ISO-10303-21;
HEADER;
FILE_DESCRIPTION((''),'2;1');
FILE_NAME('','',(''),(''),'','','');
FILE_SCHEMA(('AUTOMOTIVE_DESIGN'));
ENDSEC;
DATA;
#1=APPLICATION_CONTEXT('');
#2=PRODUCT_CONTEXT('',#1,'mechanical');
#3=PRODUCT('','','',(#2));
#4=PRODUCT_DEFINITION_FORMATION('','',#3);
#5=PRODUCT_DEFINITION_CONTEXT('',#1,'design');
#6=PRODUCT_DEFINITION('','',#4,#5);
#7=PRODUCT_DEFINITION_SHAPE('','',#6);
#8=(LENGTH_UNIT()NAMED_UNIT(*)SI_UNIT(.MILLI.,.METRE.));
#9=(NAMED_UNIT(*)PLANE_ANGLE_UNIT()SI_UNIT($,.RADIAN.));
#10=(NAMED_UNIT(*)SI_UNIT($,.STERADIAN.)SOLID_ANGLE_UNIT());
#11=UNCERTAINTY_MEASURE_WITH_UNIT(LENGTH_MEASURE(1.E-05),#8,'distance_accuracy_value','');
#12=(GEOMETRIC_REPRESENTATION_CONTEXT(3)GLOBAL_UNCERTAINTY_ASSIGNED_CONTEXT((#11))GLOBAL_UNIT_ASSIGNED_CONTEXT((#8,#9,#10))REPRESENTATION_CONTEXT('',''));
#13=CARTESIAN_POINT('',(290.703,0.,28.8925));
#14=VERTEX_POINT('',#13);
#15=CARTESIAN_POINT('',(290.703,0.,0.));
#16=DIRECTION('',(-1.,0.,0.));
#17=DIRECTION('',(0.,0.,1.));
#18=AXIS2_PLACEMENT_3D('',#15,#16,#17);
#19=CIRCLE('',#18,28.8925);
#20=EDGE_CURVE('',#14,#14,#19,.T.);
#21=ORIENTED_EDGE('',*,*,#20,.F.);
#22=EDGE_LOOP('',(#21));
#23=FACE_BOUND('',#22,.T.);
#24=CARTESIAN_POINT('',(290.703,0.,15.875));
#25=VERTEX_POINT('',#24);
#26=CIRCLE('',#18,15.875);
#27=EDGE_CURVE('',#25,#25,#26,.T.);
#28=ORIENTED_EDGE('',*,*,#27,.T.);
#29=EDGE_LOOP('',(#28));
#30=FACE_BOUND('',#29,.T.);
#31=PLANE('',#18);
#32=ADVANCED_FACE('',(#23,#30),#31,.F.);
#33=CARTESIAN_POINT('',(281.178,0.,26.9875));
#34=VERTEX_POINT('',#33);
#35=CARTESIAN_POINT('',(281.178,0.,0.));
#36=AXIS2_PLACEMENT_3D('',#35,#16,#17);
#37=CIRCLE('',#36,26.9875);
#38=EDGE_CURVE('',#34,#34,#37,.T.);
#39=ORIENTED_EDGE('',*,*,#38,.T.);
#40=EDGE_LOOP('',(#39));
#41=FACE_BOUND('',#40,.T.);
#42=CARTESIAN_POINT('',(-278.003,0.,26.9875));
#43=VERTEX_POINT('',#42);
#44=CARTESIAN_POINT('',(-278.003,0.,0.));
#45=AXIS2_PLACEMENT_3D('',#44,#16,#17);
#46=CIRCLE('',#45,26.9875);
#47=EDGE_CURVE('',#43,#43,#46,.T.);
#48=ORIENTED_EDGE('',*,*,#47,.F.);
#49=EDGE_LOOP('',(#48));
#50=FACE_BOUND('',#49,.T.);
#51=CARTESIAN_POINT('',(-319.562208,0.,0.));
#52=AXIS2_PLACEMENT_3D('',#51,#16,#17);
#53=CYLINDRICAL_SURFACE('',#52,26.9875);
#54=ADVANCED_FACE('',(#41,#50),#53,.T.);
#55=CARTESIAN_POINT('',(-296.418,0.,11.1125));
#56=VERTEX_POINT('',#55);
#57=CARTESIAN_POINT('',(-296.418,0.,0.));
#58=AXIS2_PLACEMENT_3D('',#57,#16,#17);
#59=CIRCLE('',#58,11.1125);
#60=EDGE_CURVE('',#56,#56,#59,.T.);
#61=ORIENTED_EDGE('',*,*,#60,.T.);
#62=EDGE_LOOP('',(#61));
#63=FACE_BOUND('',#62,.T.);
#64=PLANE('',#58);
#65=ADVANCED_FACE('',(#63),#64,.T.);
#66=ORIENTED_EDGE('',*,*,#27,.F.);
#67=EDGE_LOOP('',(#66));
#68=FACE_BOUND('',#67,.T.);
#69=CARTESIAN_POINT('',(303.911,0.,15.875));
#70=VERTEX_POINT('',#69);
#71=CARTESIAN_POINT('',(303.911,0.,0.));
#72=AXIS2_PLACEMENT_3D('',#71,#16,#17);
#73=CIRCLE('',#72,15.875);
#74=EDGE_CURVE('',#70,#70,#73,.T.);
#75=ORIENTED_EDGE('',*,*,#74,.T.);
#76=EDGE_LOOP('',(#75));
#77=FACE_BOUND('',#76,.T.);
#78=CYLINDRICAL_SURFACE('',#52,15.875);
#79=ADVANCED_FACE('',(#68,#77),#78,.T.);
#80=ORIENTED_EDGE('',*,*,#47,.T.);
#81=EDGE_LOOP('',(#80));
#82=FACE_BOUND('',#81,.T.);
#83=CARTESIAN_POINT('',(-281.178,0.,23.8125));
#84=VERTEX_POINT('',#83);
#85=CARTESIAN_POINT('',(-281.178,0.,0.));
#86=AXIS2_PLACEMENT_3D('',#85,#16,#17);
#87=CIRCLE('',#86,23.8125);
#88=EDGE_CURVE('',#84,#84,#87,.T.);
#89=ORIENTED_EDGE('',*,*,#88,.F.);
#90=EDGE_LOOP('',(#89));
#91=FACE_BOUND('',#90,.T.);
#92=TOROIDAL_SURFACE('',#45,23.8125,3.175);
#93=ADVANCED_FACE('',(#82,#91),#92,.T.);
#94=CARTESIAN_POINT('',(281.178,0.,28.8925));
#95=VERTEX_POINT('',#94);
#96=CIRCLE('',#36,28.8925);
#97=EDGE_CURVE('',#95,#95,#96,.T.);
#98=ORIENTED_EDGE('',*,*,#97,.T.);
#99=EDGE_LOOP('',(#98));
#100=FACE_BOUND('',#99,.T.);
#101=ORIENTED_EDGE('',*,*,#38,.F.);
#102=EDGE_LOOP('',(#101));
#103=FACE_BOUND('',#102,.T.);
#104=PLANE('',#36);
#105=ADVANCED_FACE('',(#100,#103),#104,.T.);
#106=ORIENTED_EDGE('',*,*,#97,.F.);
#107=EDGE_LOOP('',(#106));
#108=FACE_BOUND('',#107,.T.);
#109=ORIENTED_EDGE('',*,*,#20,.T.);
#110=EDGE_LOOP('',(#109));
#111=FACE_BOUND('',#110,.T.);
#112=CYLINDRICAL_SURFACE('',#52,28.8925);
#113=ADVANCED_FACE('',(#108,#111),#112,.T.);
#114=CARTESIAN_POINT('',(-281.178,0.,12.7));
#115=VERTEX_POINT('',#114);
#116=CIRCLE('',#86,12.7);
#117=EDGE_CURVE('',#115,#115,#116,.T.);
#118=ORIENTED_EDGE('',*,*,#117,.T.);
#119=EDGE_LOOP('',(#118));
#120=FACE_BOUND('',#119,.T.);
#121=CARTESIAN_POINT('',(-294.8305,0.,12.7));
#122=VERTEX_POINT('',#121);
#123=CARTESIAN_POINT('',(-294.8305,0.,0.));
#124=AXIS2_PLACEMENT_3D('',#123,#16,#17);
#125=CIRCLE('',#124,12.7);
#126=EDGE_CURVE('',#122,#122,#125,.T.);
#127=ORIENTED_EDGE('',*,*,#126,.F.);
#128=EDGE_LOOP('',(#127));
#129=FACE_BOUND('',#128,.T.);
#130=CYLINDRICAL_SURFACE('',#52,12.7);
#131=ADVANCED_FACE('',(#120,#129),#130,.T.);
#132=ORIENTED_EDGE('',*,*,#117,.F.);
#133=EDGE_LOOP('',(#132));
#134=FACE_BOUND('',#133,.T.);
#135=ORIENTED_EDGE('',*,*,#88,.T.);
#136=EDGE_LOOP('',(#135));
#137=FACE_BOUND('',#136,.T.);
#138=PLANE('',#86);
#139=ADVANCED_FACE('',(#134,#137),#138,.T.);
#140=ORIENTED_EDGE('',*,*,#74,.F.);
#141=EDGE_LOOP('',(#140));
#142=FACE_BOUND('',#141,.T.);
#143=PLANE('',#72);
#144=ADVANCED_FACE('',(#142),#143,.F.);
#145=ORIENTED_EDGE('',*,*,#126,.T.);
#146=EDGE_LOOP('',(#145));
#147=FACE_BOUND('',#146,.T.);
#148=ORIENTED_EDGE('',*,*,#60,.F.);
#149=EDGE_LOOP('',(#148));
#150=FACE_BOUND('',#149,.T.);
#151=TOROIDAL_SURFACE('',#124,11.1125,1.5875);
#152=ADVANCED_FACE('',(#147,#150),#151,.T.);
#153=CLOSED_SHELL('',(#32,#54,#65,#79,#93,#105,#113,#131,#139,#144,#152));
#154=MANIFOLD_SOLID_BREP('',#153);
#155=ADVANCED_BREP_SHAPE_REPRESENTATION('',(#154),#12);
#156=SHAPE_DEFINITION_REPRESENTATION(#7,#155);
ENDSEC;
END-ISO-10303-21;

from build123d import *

# Parameters (mm, degrees)
SKETCH1_W = 13.208
SKETCH1_H = 15.875


with BuildPart() as part:
    # Sketch1 → Revolve1 (revolve)
    with BuildSketch(Plane(origin=(0, 0, 0), x_dir=(1, 0, 0), z_dir=(0, 1, 0)), mode=Mode.PRIVATE) as revolve1_sk:
        with BuildLine():
            Line((-281.178, 12.7), (-281.178, 0))
            Line((-281.178, 0), (281.178, 0))
            Line((281.178, 0), (281.178, 26.9875))
            Line((281.178, 26.9875), (-278.003, 26.9875))
            ThreePointArc((-278.003, 26.9875), (-280.24806403, 26.05756403), (-281.178, 23.8125))
            Line((-281.178, 23.8125), (-281.178, 12.7))
        make_face()
        with BuildLine():
            Line((-296.418, 11.1125), (-296.418, 0))
            Line((-296.418, 0), (-281.178, 0))
            Line((-281.178, 0), (-281.178, 12.7))
            Line((-281.178, 12.7), (-294.8305, 12.7))
            ThreePointArc((-294.8305, 12.7), (-295.953032015, 12.235032015), (-296.418, 11.1125))
        make_face()
        Polygon((281.178, 26.9875), (281.178, 0), (290.703, 0), (290.703, 15.875), (290.703, 28.8925), (281.178, 28.8925), align=None)
        with Locations((297.307, 7.9375)):
            Rectangle(SKETCH1_W, SKETCH1_H)
    revolve(revolve1_sk.sketch.rotate(Axis((-319.562207996, 0, 0), (1, 0, 0)), 180), axis=Axis((-319.562207996, 0, 0), (1, 0, 0)))


solid = part.part
